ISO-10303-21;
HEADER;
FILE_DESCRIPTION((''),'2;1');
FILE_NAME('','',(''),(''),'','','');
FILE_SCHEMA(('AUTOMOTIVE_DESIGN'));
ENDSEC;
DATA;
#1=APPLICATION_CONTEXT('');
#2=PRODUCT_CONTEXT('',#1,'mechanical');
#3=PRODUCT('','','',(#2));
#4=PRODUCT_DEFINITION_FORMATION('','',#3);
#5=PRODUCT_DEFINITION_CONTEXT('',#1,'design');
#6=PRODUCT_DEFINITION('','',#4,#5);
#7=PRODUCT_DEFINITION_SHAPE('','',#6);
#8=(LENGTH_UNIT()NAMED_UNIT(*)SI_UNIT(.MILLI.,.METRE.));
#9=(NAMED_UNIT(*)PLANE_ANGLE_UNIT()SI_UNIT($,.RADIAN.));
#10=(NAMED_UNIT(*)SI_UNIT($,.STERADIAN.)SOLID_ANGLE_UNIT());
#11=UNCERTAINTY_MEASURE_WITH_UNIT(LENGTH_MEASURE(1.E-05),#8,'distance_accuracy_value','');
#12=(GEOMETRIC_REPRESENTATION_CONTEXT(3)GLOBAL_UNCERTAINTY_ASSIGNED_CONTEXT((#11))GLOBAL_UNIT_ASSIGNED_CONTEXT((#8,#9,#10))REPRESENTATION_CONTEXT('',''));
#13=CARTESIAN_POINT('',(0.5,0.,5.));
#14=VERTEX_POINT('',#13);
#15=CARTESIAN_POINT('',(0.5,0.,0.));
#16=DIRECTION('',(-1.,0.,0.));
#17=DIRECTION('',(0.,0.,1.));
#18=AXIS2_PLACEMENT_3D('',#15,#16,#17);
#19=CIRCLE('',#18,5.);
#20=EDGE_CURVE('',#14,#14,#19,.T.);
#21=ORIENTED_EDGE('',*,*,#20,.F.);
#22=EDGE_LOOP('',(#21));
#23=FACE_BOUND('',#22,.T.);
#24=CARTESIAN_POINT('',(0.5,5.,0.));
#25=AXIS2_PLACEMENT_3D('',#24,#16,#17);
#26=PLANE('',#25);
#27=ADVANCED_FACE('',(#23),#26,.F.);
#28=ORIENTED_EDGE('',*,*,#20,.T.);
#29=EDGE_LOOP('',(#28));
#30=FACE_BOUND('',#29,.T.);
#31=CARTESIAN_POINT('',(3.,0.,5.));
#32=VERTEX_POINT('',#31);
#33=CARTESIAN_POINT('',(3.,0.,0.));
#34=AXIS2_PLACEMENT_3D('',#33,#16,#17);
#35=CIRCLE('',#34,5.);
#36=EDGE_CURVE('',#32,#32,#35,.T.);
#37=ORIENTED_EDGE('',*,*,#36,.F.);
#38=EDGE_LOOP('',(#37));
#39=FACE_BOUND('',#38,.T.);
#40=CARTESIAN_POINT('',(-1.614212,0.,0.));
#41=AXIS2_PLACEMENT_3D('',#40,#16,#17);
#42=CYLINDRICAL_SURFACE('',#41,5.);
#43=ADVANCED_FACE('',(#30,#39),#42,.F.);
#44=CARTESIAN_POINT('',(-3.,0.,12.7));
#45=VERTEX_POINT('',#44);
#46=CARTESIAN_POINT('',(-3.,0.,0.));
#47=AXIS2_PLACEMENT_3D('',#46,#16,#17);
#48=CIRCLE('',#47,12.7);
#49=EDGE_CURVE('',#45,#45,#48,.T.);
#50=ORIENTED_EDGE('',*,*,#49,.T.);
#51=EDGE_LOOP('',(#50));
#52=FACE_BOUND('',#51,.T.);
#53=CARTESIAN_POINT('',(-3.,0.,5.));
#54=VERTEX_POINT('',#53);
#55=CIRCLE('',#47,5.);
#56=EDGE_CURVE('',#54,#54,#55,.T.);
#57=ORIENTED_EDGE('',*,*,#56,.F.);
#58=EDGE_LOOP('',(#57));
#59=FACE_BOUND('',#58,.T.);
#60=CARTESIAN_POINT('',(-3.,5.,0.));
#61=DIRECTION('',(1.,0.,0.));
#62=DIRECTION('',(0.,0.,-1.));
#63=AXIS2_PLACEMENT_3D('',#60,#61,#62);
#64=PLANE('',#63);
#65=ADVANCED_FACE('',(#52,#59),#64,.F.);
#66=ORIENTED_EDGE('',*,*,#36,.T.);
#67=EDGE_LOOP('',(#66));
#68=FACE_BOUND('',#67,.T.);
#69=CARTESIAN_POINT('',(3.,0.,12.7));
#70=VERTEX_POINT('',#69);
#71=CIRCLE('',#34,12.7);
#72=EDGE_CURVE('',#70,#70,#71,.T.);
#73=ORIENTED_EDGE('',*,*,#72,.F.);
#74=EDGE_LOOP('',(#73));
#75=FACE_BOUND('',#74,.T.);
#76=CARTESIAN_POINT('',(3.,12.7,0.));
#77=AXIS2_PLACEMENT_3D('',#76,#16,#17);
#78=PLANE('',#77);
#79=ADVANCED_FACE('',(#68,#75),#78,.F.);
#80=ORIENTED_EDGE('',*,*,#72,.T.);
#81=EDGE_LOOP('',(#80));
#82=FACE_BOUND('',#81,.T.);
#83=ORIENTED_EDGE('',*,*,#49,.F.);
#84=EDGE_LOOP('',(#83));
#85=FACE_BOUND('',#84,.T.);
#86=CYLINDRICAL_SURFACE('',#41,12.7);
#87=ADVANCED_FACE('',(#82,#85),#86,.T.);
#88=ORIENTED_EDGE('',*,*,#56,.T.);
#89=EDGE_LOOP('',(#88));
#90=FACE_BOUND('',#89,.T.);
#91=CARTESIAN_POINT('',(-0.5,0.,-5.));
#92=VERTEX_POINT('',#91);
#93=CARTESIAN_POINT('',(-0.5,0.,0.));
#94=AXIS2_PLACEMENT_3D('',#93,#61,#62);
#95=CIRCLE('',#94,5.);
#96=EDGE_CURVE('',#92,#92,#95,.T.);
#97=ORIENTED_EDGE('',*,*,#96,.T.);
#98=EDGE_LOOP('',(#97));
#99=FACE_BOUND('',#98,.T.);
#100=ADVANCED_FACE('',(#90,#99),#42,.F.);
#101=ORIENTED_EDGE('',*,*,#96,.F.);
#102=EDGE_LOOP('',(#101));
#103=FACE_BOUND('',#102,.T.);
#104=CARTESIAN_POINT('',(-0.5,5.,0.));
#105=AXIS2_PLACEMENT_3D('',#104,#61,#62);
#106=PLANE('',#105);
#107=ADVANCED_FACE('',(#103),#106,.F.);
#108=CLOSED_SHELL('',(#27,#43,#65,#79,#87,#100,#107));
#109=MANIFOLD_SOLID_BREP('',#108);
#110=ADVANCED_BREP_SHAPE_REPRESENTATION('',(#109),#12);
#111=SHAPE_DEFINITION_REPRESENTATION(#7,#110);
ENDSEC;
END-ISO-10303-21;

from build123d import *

# Parameters (mm, degrees)
SKETCH_1_W = 1
SKETCH_1_H = 5
SKETCH_4_W = 6
SKETCH_4_H = 7.7


with BuildPart() as part:
    # 草图1 → 旋转2 (revolve)
    with BuildSketch(Plane.XY, mode=Mode.PRIVATE) as revolve_2_sk:
        with Locations((0, 2.5)):
            Rectangle(SKETCH_1_W, SKETCH_1_H)
    revolve(revolve_2_sk.sketch.rotate(Axis((-0.5, 0, 0), (1, 0, 0)), 90), axis=Axis((-0.5, 0, 0), (1, 0, 0)))  # turned: the seam where the file's is

    # 草图4 → 旋转3 (revolve)
    with BuildSketch(Plane.XY, mode=Mode.PRIVATE) as revolve_3_sk:
        with Locations((0, 8.85)):
            Rectangle(SKETCH_4_W, SKETCH_4_H)
    revolve(revolve_3_sk.sketch.rotate(Axis((-1.614212419, 0, 0), (1, 0, 0)), 90), axis=Axis((-1.614212419, 0, 0), (1, 0, 0)))  # turned: the seam where the file's is


solid = part.part
